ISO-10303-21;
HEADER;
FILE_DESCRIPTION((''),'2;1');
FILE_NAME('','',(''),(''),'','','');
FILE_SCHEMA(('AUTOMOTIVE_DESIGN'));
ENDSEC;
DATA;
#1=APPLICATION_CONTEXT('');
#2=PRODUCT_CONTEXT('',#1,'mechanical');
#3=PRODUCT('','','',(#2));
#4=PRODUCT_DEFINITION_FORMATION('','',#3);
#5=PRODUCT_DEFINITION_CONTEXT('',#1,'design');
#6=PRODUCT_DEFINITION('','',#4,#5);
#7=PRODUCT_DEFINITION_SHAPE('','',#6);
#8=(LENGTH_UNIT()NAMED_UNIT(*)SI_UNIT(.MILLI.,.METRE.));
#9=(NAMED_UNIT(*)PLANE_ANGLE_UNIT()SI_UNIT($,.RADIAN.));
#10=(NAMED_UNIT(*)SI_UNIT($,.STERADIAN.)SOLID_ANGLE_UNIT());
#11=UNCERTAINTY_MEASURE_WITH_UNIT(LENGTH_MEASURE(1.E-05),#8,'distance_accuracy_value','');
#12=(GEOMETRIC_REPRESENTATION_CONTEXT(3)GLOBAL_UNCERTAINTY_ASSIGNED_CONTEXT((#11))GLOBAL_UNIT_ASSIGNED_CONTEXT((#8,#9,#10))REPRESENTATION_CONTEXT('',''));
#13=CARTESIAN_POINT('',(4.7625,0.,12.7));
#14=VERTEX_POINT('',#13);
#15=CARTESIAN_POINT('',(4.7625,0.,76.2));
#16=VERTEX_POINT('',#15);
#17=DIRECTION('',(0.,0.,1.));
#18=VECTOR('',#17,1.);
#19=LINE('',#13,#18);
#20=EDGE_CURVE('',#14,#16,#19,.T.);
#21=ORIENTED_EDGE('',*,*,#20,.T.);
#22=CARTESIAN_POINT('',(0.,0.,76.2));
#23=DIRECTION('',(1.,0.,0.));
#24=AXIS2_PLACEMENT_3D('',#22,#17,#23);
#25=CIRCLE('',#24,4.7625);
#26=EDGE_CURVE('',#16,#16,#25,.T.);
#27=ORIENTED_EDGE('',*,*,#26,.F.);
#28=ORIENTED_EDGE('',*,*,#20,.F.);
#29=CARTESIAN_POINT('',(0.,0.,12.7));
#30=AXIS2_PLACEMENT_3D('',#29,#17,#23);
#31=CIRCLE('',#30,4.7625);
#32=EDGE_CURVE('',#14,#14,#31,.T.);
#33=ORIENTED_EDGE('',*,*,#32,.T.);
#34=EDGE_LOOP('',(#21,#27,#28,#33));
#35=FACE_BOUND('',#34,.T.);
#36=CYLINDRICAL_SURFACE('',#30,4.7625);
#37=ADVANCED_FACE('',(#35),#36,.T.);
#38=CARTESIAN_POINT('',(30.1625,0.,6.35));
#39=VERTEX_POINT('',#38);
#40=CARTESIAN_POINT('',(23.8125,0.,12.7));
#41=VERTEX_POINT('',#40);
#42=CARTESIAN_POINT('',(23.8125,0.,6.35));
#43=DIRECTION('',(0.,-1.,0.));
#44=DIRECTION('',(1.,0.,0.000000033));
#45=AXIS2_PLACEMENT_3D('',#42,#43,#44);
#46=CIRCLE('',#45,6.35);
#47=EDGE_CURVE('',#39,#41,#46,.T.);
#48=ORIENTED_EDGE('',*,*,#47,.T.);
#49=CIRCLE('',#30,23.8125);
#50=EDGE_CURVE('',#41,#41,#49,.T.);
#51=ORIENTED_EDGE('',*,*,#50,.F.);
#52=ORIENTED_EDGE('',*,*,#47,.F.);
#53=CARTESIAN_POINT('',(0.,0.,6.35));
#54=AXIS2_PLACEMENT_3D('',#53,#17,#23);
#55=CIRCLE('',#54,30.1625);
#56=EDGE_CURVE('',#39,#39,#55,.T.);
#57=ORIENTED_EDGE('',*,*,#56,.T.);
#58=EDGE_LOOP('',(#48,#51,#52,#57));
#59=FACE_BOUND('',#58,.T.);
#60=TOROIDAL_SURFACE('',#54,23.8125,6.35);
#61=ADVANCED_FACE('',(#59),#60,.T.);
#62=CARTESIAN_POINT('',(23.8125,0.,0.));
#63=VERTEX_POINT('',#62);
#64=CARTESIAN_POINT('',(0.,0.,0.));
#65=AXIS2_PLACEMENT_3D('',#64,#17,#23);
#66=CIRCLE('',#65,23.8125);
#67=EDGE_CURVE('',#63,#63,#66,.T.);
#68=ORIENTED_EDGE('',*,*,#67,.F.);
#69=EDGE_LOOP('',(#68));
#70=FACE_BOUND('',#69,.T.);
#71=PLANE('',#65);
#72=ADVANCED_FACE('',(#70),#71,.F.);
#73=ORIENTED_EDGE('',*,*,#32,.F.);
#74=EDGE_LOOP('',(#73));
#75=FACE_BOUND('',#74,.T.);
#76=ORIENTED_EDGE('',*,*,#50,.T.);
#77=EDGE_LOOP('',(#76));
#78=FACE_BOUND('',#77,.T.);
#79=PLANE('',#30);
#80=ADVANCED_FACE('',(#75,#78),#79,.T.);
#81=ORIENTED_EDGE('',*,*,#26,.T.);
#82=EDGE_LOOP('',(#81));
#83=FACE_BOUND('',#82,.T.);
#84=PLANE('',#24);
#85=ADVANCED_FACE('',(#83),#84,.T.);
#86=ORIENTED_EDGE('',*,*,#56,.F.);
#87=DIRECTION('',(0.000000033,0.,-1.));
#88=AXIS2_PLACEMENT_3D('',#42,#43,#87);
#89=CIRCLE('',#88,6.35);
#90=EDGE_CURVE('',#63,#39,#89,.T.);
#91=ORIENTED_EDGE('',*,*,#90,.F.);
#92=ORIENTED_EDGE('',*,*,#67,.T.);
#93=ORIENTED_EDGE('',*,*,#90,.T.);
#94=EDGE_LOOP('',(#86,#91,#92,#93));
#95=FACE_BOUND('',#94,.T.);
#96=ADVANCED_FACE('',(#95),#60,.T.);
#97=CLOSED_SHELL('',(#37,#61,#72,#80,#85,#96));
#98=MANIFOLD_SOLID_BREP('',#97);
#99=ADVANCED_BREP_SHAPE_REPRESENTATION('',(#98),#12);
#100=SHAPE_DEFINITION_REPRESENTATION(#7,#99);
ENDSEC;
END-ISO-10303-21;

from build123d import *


with BuildPart() as f1:
    # F0 (on Front) → F1 (revolve)
    with BuildSketch(Plane.XZ):
        with BuildLine():
            Line((0, 76.2), (0, 0))
            Line((0, 0), (23.8125, 0))
            ThreePointArc((23.8125, 0), (28.302628, 1.859872), (30.1625, 6.35))
            ThreePointArc((30.1625, 6.35), (28.302628, 10.840128), (23.8125, 12.7))
            Line((23.8125, 12.7), (4.7625, 12.7))
            Line((4.7625, 12.7), (4.7625, 76.2))
            Line((4.7625, 76.2), (0, 76.2))
        make_face()
    revolve(axis=Axis((0, 0, 38.1), (0, 0, 1)))


solid = f1.part
